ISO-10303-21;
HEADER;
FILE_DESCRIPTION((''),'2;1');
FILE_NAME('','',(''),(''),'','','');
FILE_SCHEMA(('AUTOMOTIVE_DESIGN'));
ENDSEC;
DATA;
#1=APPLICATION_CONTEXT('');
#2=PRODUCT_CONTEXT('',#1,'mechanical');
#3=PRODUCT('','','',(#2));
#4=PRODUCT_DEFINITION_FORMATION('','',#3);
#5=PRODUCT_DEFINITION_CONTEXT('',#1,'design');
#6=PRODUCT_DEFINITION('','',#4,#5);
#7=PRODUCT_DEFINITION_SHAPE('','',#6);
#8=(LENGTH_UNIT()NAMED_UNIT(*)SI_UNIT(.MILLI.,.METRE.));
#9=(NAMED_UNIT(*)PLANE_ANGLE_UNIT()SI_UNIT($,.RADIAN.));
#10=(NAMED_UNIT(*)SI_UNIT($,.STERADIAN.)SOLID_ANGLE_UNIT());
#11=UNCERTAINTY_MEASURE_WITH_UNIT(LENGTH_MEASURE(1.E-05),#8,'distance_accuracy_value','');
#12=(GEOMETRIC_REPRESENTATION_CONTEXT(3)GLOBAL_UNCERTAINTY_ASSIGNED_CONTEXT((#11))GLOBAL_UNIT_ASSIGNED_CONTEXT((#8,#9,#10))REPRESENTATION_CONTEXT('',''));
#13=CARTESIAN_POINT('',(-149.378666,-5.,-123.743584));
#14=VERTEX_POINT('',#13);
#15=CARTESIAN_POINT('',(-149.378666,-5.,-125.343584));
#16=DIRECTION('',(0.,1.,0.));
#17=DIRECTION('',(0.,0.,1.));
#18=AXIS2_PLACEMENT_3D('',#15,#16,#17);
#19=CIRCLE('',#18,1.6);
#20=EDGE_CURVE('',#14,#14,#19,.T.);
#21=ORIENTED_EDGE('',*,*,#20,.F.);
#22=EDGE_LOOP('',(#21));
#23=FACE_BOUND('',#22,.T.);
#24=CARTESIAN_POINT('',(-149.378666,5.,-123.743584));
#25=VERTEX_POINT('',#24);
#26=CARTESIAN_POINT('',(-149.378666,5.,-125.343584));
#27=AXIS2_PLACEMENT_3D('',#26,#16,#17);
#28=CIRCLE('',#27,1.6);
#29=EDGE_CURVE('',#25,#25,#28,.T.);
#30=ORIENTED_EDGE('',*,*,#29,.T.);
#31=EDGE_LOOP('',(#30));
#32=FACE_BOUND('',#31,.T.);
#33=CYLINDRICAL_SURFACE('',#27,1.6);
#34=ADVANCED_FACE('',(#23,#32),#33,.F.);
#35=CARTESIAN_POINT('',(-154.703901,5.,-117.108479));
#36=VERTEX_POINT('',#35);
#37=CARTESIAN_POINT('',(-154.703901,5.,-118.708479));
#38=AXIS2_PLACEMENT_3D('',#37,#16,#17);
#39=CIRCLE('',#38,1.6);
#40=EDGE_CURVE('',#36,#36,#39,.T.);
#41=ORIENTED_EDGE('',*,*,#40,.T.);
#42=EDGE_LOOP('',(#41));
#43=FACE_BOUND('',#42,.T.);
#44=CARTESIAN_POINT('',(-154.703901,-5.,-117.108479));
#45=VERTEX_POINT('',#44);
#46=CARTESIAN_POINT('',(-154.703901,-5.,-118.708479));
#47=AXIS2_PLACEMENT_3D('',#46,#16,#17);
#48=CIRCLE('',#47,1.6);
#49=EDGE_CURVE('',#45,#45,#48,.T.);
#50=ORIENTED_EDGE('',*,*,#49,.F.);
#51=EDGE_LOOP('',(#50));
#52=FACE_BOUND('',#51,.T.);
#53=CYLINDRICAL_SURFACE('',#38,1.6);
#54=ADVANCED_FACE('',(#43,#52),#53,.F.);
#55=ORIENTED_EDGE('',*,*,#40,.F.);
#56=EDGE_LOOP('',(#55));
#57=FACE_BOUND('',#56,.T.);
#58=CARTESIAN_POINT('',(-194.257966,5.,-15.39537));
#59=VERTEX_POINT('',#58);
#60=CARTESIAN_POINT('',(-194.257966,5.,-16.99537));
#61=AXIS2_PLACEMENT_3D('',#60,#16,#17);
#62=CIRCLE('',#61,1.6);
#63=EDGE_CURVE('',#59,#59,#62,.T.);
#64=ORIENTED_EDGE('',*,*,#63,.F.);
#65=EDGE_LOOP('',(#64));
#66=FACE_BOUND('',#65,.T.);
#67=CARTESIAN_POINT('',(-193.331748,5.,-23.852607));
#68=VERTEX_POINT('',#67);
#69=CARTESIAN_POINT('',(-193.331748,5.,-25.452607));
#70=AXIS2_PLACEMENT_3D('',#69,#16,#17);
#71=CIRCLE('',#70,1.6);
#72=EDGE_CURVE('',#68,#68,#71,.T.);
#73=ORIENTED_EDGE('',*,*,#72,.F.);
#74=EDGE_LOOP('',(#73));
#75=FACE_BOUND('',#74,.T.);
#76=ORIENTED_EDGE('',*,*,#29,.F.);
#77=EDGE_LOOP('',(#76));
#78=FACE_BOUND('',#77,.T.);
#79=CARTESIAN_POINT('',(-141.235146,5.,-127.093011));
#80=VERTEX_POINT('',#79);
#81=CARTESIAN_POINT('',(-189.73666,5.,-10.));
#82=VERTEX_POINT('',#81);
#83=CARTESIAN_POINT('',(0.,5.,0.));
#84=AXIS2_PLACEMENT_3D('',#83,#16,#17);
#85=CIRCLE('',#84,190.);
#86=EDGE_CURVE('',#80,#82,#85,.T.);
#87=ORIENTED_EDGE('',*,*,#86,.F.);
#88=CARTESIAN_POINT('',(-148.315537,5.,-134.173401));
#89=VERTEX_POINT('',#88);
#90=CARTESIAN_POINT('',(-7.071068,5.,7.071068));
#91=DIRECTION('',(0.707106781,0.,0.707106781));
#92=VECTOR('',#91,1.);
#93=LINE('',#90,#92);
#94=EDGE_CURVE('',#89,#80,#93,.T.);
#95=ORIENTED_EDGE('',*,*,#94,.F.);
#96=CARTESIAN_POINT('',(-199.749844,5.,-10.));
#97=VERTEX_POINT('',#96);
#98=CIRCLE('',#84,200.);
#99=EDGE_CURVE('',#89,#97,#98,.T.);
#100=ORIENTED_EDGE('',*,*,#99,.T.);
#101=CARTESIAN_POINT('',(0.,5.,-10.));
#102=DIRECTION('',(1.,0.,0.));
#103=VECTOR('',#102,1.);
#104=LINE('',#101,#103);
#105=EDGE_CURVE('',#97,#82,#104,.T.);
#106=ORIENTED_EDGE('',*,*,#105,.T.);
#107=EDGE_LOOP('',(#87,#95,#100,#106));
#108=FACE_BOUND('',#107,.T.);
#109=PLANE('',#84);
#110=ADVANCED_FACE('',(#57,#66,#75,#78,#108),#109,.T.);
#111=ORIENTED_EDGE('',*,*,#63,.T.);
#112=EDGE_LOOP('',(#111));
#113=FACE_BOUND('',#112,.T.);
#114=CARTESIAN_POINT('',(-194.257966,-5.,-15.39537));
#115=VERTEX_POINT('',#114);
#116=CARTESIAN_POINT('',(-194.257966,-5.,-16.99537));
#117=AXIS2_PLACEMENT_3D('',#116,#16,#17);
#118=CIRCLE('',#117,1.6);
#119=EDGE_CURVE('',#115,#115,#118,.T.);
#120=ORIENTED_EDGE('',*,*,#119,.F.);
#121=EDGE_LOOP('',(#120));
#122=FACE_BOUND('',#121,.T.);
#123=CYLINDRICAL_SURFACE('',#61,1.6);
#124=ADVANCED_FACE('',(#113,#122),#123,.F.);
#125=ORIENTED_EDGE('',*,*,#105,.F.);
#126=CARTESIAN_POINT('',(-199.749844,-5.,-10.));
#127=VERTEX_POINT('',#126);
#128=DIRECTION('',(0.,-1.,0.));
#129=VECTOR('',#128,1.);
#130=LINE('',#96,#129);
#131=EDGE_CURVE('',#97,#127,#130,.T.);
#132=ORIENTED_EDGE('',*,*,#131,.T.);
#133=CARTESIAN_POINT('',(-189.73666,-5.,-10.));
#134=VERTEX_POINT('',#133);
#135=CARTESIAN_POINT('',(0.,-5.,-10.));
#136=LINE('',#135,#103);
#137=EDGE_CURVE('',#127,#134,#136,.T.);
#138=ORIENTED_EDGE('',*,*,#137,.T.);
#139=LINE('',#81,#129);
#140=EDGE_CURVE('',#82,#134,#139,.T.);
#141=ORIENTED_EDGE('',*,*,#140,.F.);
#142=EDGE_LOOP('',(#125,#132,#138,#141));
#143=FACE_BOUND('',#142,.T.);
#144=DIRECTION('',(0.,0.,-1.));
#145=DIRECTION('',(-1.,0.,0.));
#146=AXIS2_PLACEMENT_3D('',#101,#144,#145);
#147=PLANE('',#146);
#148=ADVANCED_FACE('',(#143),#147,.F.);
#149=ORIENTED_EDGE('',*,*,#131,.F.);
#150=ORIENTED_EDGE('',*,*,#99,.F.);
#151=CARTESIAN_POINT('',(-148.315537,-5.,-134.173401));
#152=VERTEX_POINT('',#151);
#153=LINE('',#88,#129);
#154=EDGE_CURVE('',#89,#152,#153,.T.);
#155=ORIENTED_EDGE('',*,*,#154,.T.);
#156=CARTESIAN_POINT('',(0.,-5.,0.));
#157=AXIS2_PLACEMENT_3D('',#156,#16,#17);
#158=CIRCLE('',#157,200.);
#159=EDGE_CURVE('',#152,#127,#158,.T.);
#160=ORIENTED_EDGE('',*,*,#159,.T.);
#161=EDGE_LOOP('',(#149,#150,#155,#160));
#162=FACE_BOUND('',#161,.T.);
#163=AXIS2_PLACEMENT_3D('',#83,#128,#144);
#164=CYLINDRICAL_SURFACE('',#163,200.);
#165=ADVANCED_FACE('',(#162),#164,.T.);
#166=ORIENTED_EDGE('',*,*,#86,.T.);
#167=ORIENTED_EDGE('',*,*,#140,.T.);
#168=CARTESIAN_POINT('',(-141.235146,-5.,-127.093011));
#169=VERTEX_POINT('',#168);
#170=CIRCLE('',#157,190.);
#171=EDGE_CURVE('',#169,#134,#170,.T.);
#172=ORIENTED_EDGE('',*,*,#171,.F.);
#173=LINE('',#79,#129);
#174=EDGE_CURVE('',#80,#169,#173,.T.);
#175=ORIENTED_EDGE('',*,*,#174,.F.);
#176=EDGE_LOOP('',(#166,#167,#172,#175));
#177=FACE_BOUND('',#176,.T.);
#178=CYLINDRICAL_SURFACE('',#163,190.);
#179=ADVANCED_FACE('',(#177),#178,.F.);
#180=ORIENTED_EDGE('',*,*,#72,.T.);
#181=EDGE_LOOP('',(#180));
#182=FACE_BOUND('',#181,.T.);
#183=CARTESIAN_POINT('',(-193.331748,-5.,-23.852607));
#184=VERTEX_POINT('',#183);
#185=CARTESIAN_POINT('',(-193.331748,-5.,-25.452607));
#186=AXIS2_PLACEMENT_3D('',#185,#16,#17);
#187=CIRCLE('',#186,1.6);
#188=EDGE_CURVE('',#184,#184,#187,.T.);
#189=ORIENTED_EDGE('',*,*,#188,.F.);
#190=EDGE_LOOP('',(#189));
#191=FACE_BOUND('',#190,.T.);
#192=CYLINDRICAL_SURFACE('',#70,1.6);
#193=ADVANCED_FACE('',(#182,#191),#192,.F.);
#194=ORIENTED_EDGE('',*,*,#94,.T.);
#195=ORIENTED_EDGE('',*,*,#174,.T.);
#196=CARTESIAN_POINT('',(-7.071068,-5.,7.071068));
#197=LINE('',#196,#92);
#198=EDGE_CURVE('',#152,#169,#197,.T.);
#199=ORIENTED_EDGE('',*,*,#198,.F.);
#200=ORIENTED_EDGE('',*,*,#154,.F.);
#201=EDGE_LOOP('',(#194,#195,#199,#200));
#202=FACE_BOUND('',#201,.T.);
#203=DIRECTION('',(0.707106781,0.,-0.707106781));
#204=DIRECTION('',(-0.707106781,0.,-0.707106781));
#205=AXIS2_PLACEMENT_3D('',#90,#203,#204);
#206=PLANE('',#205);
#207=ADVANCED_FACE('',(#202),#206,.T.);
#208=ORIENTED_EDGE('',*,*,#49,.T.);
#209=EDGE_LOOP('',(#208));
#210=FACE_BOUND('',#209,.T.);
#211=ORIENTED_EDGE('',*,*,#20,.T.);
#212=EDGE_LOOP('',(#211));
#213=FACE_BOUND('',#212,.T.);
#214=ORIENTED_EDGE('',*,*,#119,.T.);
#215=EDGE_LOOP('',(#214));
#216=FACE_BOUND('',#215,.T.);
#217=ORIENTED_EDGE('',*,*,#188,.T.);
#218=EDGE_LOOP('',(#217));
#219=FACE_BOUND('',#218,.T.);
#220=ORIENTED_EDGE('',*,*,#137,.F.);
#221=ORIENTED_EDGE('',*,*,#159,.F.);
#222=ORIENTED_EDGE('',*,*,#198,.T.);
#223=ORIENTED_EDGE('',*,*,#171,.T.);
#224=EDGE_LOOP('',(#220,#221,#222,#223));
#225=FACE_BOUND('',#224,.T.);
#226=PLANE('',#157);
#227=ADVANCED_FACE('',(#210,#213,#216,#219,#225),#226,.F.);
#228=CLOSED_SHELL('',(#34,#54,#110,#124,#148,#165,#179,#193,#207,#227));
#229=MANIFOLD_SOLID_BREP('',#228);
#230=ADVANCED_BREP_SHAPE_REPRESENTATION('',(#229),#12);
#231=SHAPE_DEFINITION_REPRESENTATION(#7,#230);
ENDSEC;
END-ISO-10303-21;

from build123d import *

# Parameters (mm, degrees)
BASE_DEPTH                 = 5
F_3_2_3_2_DIAMETER_HOLE1_D = 3.2


with BuildPart() as part:
    # Sketch1 → base (new, symmetric)
    with BuildSketch(Plane(origin=(0, 0, 0), x_dir=(1, 0, 0), z_dir=(0, 1, 0))):
        with BuildLine():
            Line((-141.235146462, 127.093010838), (-148.31553673, 134.173401106))
            ThreePointArc((-148.31553673, 134.173401106), (-184.775906502, 76.536686473), (-199.749843554, 10))
            Line((-199.749843554, 10), (-189.73665961, 10))
            ThreePointArc((-189.73665961, 10), (-175.537111177, 72.709852149), (-141.235146462, 127.093010838))
        make_face()
    extrude(amount=BASE_DEPTH, both=True)

    # Ø3.2 (3.2) Diameter Hole1 (through all)
    with Locations(Plane(origin=(0, 5, 0), x_dir=(1, 0, 0), z_dir=(0, 1, 0))):
        with Locations((-194.257966128, 16.995369836), (-149.378666408, 125.343583889), (-154.703901357, 118.708478657), (-193.331747968, 25.452607483)):
            Hole(F_3_2_3_2_DIAMETER_HOLE1_D / 2)


solid = part.part
